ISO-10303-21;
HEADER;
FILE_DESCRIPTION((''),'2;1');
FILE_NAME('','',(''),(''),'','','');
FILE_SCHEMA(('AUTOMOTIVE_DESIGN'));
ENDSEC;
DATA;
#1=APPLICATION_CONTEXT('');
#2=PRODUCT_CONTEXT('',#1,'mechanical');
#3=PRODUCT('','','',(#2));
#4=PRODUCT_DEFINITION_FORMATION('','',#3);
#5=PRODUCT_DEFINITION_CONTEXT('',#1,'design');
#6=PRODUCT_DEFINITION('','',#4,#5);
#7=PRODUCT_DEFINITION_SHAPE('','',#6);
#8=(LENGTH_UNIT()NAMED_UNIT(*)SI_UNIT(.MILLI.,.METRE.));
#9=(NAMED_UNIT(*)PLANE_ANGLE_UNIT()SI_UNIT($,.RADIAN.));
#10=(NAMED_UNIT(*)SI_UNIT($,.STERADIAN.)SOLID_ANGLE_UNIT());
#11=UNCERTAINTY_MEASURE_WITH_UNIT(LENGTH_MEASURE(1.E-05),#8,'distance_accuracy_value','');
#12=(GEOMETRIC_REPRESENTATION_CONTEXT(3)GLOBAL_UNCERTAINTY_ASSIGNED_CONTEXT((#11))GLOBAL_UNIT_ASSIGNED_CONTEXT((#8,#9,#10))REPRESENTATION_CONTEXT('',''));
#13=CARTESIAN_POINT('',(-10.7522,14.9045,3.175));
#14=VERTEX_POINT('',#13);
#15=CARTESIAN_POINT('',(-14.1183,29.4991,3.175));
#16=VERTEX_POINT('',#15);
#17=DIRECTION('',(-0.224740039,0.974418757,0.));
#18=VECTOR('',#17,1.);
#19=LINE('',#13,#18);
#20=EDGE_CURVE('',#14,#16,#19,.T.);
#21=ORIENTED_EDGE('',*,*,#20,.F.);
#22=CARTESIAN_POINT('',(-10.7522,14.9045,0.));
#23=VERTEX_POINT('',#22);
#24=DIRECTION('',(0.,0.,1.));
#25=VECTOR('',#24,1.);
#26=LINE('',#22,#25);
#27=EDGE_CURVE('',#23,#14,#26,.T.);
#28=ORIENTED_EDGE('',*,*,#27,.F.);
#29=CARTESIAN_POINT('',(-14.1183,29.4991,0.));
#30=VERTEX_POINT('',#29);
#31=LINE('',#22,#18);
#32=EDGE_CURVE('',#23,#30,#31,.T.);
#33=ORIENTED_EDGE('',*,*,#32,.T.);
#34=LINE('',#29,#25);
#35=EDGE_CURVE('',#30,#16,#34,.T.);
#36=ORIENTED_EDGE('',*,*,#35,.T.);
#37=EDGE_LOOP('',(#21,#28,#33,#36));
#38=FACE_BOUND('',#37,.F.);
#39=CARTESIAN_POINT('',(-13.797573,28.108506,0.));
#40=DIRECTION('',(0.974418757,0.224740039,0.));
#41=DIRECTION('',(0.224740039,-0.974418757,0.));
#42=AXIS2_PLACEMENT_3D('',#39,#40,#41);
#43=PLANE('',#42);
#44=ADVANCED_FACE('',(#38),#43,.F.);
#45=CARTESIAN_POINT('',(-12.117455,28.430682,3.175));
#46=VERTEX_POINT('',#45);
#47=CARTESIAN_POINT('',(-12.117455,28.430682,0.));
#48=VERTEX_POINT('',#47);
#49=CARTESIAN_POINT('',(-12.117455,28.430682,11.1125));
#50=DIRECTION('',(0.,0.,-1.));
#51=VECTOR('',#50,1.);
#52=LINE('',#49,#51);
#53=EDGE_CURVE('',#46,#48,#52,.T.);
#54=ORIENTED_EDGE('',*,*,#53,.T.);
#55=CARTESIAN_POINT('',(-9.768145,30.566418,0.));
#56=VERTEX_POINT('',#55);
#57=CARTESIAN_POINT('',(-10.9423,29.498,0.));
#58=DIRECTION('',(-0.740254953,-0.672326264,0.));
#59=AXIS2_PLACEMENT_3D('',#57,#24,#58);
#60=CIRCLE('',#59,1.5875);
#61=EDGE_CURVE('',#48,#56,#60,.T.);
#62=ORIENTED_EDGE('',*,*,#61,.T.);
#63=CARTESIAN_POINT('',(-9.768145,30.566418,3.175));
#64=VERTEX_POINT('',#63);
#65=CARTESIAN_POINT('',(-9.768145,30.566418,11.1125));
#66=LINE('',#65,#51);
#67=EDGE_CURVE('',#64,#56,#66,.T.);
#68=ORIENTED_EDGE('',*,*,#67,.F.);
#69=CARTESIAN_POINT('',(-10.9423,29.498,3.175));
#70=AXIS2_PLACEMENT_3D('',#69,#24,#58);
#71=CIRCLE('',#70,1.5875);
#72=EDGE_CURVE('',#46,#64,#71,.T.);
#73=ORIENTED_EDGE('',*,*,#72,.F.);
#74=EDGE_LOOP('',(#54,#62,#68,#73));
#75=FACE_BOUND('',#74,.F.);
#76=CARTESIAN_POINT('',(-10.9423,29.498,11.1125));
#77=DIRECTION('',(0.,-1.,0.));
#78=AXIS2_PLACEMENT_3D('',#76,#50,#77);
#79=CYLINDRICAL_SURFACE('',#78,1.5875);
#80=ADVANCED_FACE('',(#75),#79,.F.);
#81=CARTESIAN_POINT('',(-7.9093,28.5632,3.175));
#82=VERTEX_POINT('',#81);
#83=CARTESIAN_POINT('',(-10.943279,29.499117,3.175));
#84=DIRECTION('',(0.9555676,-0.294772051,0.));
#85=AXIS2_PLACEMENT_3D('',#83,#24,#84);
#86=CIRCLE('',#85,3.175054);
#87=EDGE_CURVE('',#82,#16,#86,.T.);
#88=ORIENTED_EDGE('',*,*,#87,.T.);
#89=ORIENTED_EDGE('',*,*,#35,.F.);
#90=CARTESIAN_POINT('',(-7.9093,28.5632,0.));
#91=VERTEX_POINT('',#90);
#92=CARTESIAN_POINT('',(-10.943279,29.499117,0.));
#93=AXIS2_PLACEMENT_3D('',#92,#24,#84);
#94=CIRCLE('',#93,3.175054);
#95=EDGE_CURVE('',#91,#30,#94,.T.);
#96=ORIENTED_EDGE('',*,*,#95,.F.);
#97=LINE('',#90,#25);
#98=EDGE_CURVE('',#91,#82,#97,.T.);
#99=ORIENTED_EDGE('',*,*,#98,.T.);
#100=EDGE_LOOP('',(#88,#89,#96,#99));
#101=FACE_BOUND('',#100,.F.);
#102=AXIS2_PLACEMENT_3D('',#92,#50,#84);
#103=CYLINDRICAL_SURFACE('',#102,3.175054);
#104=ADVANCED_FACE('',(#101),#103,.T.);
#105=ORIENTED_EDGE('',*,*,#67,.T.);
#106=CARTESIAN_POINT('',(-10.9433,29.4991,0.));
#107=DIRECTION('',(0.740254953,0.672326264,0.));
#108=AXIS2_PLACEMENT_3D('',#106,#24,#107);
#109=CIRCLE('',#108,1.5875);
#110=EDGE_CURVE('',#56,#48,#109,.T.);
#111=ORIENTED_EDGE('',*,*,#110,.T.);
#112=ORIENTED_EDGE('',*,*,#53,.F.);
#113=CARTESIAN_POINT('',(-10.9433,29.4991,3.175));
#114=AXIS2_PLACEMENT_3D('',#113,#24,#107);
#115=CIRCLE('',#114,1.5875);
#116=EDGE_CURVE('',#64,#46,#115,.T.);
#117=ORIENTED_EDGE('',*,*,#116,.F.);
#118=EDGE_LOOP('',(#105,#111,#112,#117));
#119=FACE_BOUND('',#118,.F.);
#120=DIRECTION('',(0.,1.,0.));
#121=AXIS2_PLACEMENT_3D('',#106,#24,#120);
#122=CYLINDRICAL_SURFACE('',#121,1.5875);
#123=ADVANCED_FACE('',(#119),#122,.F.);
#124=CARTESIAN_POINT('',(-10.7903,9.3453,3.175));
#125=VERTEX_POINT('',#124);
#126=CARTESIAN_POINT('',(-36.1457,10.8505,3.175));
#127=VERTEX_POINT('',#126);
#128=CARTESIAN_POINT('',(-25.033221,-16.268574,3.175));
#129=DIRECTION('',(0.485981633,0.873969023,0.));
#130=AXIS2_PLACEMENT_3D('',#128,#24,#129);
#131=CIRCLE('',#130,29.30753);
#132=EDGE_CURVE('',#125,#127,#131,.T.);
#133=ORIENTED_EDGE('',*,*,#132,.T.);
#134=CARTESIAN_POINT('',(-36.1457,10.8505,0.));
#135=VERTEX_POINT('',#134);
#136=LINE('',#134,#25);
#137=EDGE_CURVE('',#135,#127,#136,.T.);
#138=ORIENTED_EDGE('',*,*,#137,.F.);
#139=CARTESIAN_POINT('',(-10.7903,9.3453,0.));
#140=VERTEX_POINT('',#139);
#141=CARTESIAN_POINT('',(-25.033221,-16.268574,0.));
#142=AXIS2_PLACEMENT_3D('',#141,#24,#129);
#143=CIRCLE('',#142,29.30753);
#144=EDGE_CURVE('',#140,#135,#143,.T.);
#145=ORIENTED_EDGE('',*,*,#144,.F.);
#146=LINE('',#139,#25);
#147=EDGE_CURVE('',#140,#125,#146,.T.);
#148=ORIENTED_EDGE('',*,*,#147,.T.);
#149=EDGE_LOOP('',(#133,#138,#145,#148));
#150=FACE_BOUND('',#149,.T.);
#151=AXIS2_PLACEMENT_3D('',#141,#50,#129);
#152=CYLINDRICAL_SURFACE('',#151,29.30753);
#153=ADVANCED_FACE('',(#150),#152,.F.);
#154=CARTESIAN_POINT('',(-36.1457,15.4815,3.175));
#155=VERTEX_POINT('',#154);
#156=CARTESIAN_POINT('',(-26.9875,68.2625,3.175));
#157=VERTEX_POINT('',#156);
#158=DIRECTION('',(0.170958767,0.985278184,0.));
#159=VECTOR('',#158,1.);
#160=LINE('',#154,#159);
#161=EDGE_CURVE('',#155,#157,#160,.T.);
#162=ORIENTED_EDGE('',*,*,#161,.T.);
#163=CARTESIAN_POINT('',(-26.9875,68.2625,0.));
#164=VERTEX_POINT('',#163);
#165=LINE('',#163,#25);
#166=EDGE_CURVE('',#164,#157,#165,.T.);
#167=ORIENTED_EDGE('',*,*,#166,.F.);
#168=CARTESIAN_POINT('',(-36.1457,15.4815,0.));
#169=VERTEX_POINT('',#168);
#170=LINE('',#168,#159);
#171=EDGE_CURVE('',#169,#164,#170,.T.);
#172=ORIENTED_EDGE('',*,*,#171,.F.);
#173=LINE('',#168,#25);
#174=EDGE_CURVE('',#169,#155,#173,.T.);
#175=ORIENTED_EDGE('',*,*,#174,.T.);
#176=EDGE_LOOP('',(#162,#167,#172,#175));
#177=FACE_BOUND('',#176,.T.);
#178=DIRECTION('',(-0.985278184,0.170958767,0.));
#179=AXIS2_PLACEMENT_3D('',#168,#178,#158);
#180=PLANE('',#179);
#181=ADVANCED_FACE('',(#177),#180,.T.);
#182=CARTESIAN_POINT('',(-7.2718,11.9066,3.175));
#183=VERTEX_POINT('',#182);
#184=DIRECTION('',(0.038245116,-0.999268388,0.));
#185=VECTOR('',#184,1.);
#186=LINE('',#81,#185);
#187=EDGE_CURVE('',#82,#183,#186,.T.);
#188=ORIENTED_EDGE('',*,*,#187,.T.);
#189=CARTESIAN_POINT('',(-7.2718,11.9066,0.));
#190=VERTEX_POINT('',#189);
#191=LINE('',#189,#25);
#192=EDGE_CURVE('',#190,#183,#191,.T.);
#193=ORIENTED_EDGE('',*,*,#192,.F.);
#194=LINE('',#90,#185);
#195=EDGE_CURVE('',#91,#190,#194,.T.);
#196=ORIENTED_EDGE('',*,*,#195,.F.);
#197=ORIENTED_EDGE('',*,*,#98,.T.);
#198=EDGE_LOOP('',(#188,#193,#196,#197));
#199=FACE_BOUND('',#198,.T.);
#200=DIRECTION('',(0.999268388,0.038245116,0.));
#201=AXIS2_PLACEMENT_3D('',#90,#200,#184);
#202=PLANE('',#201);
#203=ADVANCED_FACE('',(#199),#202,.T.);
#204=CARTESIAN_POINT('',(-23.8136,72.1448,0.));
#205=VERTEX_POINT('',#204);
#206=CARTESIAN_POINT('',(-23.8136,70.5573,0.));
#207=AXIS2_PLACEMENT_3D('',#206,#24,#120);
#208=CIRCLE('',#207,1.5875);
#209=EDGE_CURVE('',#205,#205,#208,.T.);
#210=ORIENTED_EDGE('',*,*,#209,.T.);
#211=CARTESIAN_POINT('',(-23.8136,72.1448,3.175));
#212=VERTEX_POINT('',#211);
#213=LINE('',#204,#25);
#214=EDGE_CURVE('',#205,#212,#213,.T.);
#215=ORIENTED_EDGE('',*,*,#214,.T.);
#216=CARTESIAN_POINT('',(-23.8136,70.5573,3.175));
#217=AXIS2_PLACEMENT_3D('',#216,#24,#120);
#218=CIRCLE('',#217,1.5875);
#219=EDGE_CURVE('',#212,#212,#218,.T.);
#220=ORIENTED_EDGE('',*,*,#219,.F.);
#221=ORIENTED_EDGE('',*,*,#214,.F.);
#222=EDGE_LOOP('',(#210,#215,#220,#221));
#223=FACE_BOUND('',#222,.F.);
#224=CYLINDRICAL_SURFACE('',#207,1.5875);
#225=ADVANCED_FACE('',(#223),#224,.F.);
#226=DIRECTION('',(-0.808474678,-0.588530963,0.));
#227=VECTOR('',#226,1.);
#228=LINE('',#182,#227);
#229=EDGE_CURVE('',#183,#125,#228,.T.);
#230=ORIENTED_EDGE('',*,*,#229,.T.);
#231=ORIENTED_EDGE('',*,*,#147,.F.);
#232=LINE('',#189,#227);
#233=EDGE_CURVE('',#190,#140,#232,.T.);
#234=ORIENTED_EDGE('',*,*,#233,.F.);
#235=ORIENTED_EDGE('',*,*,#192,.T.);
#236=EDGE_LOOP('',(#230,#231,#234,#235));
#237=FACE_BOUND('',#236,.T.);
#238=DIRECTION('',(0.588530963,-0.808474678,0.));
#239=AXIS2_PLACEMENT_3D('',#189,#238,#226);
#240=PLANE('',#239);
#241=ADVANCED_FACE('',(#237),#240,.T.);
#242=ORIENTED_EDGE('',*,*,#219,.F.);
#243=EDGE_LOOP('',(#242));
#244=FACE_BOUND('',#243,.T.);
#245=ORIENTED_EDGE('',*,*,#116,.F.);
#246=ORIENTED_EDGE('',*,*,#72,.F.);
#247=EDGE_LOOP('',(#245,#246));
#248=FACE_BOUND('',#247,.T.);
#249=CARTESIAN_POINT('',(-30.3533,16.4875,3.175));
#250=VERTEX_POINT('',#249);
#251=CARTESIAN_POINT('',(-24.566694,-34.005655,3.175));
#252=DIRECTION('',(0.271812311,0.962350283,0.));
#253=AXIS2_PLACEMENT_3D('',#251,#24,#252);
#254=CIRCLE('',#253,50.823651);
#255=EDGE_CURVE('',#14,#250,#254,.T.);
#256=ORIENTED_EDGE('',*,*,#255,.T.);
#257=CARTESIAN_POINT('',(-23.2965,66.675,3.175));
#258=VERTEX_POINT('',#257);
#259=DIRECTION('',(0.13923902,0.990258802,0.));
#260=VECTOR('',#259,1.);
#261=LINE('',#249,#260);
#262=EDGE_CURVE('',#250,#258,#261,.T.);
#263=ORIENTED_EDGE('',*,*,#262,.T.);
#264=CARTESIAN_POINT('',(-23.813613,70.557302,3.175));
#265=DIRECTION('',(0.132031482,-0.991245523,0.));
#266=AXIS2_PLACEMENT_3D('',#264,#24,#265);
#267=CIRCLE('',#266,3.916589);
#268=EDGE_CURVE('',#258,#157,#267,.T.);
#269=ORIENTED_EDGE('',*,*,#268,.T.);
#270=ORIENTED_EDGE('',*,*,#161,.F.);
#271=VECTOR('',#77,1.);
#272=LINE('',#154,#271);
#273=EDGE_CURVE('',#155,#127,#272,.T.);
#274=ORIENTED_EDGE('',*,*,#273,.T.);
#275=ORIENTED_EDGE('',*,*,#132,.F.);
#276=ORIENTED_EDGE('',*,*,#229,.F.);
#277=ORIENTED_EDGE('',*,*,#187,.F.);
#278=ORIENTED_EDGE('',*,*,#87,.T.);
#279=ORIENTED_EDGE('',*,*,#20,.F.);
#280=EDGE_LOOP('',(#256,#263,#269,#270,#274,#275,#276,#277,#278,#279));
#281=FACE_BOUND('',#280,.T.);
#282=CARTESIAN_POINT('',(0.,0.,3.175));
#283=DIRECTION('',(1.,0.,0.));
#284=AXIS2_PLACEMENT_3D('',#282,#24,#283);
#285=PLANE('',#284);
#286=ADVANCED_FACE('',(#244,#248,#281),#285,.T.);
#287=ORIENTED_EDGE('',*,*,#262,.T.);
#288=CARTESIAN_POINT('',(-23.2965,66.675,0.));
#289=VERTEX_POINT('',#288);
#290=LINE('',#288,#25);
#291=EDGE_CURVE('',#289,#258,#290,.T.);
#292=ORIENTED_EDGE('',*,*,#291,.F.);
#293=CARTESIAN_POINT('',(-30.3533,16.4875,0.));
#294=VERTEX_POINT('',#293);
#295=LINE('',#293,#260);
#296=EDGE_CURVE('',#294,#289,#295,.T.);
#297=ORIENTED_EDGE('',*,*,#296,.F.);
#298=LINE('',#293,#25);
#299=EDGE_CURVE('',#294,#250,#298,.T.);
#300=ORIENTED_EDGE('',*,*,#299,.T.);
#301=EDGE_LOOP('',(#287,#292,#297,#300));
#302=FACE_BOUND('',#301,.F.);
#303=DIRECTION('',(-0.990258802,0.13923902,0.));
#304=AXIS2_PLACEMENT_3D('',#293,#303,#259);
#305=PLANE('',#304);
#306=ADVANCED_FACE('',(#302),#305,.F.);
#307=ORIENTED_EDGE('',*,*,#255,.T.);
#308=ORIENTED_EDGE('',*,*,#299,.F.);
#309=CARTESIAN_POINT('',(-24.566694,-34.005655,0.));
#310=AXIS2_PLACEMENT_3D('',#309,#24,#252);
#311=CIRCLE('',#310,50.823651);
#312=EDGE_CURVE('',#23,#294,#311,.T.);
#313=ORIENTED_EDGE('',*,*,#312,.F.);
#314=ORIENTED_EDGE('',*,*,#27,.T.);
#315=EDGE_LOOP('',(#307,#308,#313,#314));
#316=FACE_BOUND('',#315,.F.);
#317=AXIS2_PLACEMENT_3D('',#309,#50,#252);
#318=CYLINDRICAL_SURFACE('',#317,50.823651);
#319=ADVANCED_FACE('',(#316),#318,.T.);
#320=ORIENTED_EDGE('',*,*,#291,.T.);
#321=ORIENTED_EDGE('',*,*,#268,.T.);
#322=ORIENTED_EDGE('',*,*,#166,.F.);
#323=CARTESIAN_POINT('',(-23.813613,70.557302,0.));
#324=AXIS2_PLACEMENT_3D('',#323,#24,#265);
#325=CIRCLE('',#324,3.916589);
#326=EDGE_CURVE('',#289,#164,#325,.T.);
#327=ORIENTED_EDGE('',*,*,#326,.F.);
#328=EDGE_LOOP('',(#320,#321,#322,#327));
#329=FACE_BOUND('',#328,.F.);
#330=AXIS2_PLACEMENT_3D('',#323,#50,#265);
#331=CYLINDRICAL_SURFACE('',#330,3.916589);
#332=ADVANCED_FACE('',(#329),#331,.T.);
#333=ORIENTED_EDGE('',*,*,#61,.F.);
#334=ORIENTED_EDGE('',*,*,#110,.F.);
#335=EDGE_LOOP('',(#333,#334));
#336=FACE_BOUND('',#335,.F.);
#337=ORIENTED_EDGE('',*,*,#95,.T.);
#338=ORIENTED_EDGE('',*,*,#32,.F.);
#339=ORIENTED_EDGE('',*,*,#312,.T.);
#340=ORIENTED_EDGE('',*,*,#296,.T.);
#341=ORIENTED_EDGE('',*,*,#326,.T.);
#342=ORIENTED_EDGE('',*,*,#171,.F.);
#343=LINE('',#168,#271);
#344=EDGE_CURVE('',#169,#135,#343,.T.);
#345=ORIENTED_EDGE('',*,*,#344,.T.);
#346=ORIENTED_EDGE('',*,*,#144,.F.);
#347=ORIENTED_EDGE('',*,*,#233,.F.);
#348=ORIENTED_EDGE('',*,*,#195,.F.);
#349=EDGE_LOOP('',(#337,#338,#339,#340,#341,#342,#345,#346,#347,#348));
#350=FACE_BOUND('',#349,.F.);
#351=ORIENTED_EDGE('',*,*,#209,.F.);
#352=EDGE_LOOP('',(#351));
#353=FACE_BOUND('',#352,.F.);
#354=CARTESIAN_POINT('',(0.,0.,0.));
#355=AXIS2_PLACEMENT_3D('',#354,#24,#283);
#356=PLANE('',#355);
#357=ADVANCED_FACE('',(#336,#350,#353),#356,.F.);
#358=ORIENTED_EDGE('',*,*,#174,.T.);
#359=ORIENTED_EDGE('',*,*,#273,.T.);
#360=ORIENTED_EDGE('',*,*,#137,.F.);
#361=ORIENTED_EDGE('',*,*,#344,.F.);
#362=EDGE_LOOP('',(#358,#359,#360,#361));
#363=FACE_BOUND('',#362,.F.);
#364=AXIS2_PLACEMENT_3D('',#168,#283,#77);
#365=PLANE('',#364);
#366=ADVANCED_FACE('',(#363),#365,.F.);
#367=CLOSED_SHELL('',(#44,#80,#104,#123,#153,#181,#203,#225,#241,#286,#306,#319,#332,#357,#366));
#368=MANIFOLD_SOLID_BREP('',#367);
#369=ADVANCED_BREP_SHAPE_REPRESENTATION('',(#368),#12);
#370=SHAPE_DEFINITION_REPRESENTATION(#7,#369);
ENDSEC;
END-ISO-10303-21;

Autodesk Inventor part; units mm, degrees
ref_plane "YZ Plane" through (0, 0, 0) normal (1, 0, 0) x (0, 1, 0)
ref_plane "XZ Plane" through (0, 0, 0) normal (0, 1, 0) x (-1, 0, 0)
ref_plane "XY Plane" through (0, 0, 0) normal (0, 0, 1) x (1, 0, 0)
sketch "Sketch2" plane through (0, 0, 0) normal (0, 0, 1) x (1, 0, 0)
  circle A0 centre (-10.9433, 29.4991) radius 1.5875
  arc A1 (-7.9093, 28.5632) -> (-13.7976, 28.1085) centre (-10.9433, 29.4991) ccw
  line L0 (-7.9093, 28.5632) -> (-7.2718, 11.9066)
  line L1 (-7.2718, 11.9066) -> (-10.7903, 9.3453)
  line L2 (-14.1183, 29.4991) -> (-10.7522, 14.9045)
  arc A2 (-10.7522, 14.9045) -> (-30.3533, 16.4875) centre (-24.5669, -34.0068) ccw
  arc A3 (-10.7903, 9.3453) -> (-36.1457, 10.8505) centre (-25.0332, -16.2685) ccw
  line L3 (0, 0) -> (-13.4011, 0)
  line L4 (0, 0) -> (0, 33.0147)
  line L5 (-36.1457, 15.4815) -> (-36.1457, 10.8505)
  line L6 (-36.1457, 15.4815) -> (-26.9875, 68.2625)
  line L7 (-30.3533, 16.4875) -> (-23.2965, 66.675)
  arc A4 (-23.2965, 66.675) -> (-26.9875, 68.2625) centre (-23.8136, 70.5573) ccw
  circle A5 centre (-23.8136, 70.5573) radius 1.5875
  dimension "d0" = 3.175
  dimension "d1" = 6.35
  dimension "d2" = 25.4
  dimension "d3" = 25.4
  dimension "d4" = 31.4635
  dimension "d5" = 10.9433
  dimension "d6" = 29.4991
  dimension "d7" = 4.631
  dimension "d8" = 5.5592
  dimension "d9" = 2.9979
  dimension "d11" = 17.7614
extrude "Extrusion1" add sketch "Sketch2" along normal blind 3.175 contours A0 | L0 L1 A3 L5 L6 A4 L7 A2 L2 A1 | A5
hole "Hole1" at (-10.9423, 29.498, 11.1125) direction (0, 0, -1) diameter 3.175 end through all
hole "Hole4" at (-10.9433, 29.4991, 0) at (-23.8136, 70.5573, 0) direction (0, 0, 1) diameter 3.175 depth 25.4 tip angle 118
properties part number "Trigger"
